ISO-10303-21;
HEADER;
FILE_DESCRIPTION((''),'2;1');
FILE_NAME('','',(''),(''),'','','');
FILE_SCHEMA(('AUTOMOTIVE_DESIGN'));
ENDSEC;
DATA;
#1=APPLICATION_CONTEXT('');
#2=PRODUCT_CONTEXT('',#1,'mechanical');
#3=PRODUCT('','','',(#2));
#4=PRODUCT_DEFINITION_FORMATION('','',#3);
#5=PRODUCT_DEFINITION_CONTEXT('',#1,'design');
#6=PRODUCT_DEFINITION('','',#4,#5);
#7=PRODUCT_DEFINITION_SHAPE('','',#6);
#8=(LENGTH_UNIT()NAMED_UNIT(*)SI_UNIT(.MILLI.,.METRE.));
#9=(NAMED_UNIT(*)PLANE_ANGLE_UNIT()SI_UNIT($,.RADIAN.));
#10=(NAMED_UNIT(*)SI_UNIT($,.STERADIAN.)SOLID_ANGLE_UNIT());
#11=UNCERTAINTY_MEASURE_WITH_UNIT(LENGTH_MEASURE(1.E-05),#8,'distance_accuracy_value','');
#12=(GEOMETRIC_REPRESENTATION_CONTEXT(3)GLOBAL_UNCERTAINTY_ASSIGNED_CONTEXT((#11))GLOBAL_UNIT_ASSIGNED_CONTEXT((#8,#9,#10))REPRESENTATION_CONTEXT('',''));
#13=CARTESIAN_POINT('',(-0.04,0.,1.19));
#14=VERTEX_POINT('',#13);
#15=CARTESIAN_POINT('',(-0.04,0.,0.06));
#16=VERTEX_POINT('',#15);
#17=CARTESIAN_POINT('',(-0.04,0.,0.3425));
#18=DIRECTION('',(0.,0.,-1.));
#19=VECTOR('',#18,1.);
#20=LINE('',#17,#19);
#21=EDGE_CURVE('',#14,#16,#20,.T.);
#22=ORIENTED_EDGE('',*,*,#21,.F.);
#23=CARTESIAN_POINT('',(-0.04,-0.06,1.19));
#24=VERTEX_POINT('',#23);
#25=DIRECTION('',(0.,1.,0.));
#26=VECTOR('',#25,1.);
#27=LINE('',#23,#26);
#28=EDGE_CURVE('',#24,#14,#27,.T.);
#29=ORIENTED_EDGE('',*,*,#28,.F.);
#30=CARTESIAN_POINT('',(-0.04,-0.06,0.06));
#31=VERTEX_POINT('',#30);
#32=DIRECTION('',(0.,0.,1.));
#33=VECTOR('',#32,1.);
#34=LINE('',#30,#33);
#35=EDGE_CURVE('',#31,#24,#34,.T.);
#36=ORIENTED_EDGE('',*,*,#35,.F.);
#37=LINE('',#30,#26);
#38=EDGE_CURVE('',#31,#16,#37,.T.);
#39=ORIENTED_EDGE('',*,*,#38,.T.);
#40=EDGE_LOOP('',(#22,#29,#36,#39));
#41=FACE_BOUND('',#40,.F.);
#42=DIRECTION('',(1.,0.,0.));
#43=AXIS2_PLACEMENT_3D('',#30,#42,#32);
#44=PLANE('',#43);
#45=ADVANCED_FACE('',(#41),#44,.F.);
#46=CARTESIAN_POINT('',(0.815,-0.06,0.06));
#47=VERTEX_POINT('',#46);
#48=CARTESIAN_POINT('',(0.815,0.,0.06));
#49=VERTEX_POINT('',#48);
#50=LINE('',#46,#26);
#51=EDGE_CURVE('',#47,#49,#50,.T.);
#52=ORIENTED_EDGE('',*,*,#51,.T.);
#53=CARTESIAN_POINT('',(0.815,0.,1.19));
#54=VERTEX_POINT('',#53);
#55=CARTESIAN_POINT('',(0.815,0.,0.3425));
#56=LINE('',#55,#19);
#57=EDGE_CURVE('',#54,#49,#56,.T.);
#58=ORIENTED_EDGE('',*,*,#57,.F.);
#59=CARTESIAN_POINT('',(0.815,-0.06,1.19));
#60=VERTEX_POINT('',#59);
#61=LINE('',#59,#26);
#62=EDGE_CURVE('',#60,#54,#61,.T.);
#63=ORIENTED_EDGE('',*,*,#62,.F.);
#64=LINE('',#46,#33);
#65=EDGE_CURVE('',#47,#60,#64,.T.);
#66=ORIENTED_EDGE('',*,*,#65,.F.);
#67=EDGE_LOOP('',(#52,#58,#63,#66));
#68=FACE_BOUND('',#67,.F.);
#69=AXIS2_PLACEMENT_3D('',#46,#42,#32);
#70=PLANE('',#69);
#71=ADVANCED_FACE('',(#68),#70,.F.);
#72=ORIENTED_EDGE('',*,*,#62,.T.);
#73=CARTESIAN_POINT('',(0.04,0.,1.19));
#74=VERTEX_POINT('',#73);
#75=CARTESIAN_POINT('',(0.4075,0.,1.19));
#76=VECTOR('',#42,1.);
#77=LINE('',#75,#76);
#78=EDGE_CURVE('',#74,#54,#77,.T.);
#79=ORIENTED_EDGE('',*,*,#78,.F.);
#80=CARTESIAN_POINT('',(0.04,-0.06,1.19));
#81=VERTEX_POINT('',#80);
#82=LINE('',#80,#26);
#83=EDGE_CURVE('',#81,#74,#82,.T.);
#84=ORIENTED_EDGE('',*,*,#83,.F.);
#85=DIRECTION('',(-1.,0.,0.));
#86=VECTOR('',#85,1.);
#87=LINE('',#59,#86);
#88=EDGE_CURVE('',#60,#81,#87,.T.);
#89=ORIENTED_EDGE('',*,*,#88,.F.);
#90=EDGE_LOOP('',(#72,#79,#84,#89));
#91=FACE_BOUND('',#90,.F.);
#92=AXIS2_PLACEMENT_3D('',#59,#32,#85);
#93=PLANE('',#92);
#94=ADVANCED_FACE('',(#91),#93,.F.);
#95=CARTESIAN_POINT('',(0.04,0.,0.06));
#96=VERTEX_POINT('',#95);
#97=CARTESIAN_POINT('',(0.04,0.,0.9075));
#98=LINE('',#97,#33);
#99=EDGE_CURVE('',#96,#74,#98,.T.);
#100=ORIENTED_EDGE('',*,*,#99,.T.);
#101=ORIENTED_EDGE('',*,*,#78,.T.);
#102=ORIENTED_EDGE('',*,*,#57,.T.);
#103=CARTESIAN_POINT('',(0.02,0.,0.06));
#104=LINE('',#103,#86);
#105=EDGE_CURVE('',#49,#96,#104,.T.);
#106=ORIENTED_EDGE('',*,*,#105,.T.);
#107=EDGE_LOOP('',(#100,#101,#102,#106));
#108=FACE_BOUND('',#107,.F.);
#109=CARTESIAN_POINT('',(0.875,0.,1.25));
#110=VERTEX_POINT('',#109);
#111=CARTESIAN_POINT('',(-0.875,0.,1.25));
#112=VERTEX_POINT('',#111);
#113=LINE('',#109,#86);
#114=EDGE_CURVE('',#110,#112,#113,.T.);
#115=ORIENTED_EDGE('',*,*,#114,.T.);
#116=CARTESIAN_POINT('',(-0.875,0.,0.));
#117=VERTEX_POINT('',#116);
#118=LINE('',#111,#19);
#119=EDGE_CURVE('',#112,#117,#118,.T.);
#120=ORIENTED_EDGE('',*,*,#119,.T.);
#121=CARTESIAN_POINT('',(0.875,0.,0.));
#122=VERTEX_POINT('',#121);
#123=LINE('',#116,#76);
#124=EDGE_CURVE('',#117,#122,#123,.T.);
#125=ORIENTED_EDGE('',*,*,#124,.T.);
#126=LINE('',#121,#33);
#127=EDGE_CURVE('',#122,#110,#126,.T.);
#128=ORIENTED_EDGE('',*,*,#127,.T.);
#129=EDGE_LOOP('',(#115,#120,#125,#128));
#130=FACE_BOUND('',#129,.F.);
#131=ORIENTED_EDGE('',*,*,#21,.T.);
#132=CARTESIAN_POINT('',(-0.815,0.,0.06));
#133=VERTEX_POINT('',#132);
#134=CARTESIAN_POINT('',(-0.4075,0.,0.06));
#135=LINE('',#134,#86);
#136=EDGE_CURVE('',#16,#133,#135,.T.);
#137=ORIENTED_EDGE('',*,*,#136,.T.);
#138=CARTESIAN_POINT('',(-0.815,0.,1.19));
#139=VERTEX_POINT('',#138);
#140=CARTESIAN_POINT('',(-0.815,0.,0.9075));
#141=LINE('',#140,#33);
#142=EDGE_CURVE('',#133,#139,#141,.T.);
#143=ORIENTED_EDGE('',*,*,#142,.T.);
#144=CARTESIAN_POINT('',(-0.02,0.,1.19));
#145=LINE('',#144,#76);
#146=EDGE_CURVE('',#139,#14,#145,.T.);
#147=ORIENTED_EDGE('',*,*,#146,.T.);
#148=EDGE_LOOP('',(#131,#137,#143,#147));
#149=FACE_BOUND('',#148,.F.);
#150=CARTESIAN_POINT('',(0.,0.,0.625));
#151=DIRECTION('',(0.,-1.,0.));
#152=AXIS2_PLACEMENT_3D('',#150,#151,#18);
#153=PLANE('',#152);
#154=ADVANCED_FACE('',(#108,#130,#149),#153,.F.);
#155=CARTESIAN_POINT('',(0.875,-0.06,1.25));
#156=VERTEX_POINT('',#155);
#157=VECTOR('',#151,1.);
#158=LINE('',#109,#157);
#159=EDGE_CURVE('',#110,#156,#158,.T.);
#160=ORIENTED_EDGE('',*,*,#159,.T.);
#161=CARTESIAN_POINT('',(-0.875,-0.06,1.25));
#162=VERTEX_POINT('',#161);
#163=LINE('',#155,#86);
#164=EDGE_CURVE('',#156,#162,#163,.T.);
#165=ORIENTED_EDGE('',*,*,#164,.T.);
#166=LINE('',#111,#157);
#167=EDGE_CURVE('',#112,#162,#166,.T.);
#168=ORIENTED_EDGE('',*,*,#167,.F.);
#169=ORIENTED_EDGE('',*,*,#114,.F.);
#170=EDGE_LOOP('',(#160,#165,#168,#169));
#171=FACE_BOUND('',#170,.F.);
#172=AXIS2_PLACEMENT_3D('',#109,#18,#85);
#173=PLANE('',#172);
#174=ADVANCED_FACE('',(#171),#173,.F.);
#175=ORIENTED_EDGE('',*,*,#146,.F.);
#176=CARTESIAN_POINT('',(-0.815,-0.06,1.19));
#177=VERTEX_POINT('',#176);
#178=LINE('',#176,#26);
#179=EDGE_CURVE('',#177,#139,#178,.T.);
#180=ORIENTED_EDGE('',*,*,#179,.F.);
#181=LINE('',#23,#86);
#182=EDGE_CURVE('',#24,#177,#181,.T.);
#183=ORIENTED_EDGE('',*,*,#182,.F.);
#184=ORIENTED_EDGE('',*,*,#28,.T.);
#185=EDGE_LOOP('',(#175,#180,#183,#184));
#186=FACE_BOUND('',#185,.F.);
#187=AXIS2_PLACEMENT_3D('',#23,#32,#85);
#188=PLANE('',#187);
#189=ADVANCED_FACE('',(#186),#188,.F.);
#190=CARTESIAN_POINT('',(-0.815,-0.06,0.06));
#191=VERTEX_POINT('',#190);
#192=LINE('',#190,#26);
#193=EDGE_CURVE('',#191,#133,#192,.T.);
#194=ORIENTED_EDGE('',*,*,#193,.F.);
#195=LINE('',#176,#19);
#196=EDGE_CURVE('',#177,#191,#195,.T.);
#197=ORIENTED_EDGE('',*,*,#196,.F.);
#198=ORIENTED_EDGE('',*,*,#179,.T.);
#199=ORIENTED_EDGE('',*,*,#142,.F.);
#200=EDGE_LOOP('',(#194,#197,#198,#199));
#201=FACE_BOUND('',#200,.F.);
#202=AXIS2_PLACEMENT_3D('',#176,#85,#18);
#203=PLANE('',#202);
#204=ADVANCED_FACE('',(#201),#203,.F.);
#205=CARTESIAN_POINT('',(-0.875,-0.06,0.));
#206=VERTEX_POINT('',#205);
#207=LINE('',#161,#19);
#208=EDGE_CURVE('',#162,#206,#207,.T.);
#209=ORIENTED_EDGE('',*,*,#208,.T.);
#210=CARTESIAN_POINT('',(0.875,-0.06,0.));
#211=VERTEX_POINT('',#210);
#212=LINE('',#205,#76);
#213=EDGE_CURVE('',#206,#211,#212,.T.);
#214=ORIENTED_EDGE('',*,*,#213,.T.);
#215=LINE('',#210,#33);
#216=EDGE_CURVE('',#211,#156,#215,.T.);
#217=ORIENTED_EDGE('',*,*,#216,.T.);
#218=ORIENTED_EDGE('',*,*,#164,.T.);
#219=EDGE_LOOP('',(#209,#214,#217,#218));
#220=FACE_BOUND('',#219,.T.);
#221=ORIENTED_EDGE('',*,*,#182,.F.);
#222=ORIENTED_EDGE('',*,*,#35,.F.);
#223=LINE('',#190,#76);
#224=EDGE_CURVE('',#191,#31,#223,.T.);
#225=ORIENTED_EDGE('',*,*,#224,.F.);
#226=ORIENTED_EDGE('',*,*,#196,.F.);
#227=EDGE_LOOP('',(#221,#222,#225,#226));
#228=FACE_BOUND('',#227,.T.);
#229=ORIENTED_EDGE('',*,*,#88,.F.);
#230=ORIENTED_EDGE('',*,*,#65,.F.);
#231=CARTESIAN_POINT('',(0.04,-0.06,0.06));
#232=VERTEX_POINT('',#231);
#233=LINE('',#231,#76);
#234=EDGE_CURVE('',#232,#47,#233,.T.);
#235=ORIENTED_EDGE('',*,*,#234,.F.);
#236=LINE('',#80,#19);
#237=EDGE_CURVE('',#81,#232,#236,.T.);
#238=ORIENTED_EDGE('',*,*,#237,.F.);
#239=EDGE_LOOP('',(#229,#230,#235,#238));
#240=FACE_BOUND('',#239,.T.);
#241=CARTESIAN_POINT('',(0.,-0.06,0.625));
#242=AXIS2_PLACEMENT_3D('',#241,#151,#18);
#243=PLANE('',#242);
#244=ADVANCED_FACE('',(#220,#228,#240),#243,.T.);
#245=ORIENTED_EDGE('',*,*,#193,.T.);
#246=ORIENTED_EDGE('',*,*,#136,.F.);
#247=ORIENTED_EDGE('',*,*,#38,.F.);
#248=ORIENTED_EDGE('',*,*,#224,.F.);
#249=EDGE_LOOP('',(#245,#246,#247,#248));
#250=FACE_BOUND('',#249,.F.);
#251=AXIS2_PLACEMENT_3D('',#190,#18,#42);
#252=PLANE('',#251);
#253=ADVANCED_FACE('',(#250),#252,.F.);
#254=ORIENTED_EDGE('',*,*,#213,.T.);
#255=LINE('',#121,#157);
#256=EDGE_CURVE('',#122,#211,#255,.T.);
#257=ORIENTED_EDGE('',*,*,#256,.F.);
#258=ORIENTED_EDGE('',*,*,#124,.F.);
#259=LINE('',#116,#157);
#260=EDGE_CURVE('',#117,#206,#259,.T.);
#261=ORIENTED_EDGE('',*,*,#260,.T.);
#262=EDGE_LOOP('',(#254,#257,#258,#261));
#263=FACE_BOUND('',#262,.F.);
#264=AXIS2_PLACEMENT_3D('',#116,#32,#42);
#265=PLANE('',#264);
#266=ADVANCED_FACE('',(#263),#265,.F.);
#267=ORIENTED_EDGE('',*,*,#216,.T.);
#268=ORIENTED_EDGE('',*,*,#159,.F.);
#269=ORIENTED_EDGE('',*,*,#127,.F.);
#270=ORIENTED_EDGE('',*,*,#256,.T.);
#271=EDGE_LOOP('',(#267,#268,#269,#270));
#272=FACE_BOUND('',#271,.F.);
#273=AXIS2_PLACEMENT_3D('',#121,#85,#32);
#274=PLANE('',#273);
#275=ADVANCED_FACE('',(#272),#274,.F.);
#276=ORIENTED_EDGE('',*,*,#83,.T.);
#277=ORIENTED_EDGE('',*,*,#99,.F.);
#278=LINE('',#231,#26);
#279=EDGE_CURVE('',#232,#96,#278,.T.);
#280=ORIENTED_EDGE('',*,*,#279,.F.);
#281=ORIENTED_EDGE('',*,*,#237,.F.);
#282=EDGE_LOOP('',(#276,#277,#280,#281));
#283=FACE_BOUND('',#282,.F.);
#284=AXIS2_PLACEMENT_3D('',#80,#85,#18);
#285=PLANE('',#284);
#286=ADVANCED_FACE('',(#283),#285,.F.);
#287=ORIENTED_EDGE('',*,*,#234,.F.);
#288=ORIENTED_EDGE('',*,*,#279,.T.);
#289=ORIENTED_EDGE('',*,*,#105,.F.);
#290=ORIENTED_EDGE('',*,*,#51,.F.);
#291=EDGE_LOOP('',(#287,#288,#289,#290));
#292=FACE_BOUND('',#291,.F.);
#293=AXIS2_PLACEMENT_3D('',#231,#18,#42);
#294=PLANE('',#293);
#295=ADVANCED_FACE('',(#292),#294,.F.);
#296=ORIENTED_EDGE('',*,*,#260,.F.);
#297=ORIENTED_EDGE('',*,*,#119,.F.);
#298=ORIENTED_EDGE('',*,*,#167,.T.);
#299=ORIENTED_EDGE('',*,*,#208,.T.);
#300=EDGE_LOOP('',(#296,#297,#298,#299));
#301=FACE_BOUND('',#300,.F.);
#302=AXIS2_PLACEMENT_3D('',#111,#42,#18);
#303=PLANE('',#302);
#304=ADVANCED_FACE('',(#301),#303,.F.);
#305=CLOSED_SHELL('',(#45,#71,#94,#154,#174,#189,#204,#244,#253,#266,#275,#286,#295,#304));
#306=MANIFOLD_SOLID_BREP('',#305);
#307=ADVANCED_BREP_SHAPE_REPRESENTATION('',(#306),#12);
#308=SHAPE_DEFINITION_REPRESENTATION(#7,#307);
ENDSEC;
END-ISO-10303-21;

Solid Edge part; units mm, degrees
sketch "Sketch1" plane through (0, 0, 0) normal (0, -1, 0) x (1, 0, 0)
  line L0 (-0.875, 0) -> (0.875, 0)
  line L1 (0.875, 0) -> (0.875, 1.25)
  line L2 (0.875, 1.25) -> (-0.875, 1.25)
  line L3 (-0.875, 1.25) -> (-0.875, 0)
  dimension "D1" = 1.25
  dimension "D2" = 1.75
extrude "Protrusion1" add sketch "Sketch1" along normal blind 0.06
sketch "Sketch2" plane through (0, -0.06, 0.75) normal (0, -1, 0) x (1, 0, 0)
  line L0 (0.04, -0.69) -> (0.815, -0.69)
  line L1 (0.815, -0.69) -> (0.815, 0.44)
  line L2 (0.815, 0.44) -> (0.04, 0.44)
  line L3 (0.04, 0.44) -> (0.04, -0.69)
  line L4 (-0.815, -0.69) -> (-0.04, -0.69)
  line L5 (-0.04, -0.69) -> (-0.04, 0.44)
  line L6 (-0.04, 0.44) -> (-0.815, 0.44)
  line L7 (-0.815, 0.44) -> (-0.815, -0.69)
  dimension "D1" = 0.06
  dimension "D2" = 0.08
extrude "Cutout1" cut sketch "Sketch2" against normal up to next
